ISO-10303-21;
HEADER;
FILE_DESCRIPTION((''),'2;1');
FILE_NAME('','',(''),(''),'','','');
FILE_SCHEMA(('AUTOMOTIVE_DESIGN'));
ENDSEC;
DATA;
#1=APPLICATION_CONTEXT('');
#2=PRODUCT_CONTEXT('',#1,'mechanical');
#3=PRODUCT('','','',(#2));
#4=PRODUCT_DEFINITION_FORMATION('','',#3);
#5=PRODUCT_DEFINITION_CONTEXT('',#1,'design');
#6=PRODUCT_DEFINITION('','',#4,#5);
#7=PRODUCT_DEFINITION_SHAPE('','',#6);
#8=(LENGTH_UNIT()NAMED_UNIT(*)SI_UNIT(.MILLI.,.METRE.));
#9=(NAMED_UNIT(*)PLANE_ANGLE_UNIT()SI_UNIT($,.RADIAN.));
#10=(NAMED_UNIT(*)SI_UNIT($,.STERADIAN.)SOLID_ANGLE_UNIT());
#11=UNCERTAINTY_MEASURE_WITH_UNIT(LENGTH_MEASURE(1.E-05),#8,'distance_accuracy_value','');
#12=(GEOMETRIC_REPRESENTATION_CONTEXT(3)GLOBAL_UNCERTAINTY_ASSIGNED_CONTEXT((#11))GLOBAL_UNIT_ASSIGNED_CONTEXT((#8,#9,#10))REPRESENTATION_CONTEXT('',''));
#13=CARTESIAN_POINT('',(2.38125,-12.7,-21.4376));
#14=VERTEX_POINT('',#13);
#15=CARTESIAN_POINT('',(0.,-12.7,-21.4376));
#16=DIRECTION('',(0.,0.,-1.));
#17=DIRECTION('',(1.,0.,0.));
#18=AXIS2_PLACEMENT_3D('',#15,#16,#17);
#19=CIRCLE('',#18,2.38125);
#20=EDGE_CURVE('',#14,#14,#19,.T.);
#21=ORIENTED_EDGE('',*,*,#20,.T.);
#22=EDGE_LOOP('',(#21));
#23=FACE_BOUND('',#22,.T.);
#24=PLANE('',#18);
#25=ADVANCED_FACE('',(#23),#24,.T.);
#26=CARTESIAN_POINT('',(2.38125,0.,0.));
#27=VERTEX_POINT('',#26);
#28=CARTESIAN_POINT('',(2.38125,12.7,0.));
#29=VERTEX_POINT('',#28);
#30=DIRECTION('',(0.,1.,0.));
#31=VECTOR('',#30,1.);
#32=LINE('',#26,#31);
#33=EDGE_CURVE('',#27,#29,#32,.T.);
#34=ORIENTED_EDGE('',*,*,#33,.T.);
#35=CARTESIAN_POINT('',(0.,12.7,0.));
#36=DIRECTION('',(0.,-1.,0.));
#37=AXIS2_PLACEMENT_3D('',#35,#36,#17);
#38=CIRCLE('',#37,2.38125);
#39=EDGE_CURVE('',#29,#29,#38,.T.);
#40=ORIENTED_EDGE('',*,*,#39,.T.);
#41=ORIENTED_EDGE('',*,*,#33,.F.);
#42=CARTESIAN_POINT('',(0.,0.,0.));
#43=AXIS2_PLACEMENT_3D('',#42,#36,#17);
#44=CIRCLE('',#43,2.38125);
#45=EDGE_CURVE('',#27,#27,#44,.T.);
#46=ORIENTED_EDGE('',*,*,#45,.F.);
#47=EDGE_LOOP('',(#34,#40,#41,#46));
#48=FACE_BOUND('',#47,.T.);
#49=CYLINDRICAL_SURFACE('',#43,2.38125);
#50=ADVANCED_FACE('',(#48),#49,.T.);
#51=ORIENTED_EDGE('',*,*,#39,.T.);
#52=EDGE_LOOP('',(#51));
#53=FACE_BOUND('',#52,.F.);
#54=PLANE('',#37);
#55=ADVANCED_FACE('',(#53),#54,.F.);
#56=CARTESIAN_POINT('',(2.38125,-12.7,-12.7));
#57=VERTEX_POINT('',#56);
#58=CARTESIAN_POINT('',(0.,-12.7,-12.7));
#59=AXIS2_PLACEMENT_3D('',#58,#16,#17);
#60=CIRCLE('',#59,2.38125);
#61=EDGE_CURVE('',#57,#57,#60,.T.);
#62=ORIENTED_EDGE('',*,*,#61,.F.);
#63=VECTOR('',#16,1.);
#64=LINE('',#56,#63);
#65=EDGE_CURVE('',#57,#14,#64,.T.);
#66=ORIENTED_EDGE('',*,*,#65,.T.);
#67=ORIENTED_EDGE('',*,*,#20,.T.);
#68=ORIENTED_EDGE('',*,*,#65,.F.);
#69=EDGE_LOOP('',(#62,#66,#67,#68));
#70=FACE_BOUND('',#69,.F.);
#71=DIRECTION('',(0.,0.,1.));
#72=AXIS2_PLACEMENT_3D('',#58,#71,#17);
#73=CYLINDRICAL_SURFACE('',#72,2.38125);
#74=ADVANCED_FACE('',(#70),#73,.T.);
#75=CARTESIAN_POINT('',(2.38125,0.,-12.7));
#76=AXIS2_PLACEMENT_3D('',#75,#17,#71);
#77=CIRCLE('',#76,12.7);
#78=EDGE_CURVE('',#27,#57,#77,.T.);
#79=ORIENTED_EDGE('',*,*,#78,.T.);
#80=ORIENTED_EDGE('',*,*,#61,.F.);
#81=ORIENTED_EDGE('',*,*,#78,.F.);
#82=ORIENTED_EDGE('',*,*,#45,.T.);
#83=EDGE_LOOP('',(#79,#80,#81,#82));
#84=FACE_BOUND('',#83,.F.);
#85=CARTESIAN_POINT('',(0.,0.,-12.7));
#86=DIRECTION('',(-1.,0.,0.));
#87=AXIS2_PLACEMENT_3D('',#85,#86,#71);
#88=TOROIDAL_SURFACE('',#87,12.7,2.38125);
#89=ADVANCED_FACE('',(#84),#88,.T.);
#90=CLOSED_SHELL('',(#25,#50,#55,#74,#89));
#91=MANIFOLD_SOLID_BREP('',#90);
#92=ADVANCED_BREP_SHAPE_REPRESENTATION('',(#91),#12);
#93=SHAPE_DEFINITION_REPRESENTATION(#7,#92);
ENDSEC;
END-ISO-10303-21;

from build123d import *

# Parameters (mm, degrees)
F0_R     = 2.38125
F1_ANGLE = 90
F2_DEPTH = 8.7376
F3_DEPTH = 12.7


with BuildPart() as f1:
    # F0 (on Front) → F1 (revolve)
    with BuildSketch(Plane.XZ):
        Circle(F0_R)
    revolve(axis=Axis((1.0816315189, 0, -12.7), (1, 0, 0)), revolution_arc=F1_ANGLE)

    # F2 (add): a face of the model
    f2_faces = [f1.faces().sort_by_distance(p)[0] for p in [
        (0, -12.7, -12.7),
    ]]
    extrude(f2_faces, amount=F2_DEPTH)

    # F3 (add): a face of the model
    f3_faces = [f1.faces().sort_by_distance(p)[0] for p in [
        (0, 0, 0),
    ]]
    extrude(f3_faces, amount=F3_DEPTH)


solid = f1.part
